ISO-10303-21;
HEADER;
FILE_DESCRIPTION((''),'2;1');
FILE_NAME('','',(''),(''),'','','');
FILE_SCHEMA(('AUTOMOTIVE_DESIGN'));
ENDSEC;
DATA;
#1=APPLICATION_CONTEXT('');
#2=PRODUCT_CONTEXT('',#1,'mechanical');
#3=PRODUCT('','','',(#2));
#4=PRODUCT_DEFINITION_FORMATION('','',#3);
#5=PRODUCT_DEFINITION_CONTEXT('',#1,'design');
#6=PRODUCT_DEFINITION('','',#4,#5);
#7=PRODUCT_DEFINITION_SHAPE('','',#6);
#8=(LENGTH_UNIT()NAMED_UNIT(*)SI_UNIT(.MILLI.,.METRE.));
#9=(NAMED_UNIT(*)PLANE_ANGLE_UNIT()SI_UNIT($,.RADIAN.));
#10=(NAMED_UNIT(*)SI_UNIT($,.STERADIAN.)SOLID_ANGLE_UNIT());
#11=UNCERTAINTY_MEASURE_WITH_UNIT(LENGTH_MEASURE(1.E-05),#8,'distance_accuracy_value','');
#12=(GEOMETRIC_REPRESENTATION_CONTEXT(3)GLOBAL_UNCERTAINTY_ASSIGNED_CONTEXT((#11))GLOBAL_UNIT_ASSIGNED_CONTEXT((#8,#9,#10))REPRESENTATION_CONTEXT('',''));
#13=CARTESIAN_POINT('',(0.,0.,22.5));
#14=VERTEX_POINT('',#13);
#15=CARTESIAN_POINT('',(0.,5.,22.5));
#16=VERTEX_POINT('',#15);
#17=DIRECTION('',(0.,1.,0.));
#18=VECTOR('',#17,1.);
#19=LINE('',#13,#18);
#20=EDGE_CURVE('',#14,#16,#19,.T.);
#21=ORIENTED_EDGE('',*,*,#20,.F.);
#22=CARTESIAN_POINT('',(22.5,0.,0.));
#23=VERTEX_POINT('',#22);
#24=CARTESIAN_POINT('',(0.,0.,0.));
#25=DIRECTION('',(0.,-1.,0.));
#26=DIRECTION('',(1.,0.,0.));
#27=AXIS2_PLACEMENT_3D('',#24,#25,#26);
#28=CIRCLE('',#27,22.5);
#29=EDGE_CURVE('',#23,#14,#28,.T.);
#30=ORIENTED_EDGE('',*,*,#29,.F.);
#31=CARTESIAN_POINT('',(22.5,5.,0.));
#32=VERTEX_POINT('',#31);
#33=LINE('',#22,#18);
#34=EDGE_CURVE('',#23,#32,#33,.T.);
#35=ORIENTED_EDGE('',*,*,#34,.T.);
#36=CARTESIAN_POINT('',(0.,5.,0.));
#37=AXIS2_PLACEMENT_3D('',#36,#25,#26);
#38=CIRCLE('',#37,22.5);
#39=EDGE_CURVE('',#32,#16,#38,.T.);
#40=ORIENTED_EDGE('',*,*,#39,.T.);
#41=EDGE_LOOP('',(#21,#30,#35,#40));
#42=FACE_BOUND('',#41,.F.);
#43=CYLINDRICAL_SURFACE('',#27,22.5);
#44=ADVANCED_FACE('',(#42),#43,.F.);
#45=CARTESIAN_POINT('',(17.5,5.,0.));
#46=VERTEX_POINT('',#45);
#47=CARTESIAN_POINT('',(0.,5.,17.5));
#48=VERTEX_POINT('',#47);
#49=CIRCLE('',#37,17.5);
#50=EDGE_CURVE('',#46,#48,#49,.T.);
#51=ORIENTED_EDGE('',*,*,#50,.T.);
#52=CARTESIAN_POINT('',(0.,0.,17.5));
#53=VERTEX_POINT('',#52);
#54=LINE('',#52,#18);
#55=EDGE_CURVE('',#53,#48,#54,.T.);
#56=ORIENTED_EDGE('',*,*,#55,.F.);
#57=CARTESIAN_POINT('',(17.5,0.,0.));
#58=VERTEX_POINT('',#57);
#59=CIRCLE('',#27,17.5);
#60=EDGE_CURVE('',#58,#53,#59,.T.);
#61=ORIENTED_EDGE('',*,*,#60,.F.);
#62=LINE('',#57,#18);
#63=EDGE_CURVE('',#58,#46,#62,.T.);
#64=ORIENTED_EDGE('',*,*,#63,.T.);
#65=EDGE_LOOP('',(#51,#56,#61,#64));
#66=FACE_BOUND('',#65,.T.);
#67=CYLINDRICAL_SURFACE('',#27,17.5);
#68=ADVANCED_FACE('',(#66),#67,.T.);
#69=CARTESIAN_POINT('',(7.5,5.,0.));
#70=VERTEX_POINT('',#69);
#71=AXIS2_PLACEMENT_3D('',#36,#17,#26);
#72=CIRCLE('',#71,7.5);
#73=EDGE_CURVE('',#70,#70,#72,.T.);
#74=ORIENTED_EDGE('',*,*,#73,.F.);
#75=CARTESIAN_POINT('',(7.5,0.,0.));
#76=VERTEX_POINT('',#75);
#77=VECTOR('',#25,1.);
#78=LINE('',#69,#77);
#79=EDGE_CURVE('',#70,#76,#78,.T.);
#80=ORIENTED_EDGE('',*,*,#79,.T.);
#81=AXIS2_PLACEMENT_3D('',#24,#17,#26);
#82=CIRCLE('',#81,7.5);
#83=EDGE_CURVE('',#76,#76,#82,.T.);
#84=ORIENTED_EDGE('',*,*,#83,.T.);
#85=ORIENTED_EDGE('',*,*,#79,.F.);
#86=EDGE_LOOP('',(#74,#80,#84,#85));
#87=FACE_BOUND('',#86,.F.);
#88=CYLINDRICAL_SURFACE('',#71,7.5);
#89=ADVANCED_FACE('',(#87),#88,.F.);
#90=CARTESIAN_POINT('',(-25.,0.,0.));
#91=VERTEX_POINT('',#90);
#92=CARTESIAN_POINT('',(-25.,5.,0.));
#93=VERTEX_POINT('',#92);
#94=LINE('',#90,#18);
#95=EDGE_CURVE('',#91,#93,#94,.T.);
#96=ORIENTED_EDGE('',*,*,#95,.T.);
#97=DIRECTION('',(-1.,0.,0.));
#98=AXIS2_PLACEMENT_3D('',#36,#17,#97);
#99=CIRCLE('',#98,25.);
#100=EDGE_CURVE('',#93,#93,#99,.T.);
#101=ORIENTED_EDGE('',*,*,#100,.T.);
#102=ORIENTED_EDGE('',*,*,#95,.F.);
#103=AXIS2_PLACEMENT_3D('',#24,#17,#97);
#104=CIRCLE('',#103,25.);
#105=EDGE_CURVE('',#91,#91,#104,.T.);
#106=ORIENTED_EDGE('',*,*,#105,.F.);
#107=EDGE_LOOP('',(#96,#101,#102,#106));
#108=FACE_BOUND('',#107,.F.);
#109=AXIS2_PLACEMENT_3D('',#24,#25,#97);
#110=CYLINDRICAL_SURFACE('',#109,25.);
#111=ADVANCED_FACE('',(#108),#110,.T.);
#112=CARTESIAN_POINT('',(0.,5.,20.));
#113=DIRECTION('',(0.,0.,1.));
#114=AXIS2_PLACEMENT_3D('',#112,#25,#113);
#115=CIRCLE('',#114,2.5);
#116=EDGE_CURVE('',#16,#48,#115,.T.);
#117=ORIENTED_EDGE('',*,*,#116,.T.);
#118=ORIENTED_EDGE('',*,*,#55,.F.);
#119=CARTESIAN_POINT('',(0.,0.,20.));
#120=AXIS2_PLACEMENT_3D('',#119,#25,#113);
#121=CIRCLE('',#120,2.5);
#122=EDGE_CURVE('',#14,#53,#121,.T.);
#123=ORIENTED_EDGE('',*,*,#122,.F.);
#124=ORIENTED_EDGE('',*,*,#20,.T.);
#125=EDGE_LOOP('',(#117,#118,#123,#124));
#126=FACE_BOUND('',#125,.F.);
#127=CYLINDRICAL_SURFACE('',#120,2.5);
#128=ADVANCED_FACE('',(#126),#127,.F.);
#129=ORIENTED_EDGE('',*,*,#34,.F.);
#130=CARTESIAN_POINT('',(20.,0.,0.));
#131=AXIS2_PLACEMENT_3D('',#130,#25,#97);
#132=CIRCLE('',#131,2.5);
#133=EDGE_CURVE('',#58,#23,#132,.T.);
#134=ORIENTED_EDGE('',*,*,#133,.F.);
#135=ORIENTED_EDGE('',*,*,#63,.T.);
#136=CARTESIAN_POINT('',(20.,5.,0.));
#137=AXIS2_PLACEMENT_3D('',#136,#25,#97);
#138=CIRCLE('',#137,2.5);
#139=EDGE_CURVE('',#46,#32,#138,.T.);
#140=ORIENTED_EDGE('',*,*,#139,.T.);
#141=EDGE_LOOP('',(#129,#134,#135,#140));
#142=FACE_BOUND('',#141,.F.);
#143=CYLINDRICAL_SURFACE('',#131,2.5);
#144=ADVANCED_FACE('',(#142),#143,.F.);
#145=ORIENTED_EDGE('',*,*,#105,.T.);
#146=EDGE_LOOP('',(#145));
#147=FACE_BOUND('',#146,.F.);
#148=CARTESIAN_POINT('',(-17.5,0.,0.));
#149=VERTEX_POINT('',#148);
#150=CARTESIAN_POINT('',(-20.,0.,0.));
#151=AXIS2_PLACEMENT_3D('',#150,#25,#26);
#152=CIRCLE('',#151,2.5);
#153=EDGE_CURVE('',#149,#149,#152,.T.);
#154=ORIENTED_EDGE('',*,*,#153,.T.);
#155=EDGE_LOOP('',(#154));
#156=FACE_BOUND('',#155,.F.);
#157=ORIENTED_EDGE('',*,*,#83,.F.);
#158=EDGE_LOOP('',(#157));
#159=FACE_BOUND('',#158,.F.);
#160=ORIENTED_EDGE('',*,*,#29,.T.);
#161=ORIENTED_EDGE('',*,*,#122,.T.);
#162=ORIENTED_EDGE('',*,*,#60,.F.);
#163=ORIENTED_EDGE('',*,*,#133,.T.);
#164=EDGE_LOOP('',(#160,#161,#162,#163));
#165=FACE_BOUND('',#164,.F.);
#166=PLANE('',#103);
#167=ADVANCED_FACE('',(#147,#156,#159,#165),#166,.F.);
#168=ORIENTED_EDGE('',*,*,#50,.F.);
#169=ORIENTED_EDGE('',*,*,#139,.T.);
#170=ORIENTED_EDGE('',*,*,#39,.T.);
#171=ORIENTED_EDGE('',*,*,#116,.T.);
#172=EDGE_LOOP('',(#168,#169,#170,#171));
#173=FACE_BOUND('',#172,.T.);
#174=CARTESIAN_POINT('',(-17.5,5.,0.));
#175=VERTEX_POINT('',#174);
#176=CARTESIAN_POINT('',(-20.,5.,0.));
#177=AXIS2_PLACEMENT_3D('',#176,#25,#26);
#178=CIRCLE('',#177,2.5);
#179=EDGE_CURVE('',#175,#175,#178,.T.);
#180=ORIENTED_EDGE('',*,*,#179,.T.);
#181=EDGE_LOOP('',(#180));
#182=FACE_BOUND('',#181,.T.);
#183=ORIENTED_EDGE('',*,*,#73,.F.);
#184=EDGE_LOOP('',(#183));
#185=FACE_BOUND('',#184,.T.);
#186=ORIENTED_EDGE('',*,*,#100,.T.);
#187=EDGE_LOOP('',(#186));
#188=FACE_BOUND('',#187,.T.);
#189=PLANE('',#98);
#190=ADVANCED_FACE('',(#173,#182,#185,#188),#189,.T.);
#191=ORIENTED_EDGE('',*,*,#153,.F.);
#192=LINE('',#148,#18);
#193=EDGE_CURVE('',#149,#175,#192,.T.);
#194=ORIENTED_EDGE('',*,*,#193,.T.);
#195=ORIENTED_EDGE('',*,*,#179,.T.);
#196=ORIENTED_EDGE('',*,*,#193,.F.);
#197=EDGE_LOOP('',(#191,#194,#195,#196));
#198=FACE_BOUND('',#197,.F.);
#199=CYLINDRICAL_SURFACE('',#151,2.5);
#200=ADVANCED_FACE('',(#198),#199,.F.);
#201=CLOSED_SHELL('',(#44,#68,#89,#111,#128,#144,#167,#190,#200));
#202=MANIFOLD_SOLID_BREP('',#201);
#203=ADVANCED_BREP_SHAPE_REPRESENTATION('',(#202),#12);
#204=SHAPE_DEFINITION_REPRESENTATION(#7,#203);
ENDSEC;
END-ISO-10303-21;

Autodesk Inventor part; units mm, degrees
ref_plane "YZ Plane" through (0, 0, 0) normal (1, 0, 0) x (0, 1, 0)
ref_plane "XZ Plane" through (0, 0, 0) normal (0, 1, 0) x (-1, 0, 0)
ref_plane "XY Plane" through (0, 0, 0) normal (0, 0, 1) x (1, 0, 0)
sketch "Sketch1" plane through (0, 0, 0) normal (0, 1, 0) x (-1, 0, 0)
  circle A0 centre (0, 0) radius 25
  dimension "d0" = 50
extrude "Extrusion1" add sketch "Sketch1" along normal blind 5
sketch "Sketch2" plane through (0, 5, 0) normal (0, 1, 0) x (1, 0, 0)
  circle A0 centre (0, 0) radius 7.5
  dimension "d3" = 15
extrude "Extrusion2" cut sketch "Sketch2" against normal through all
sketch "Sketch4" plane through (0, 0, 0) normal (0, -1, 0) x (1, 0, 0)
  circle A0 centre (0, 0) radius 20 construction
  arc A1 (0, 22.5) -> (0, 17.5) centre (0, 20) ccw
  arc A2 (17.5, 0) -> (22.5, 0) centre (20, 0) ccw
  arc A3 (22.5, 0) -> (0, 22.5) centre (0, 0) ccw
  arc A4 (17.5, 0) -> (0, 17.5) centre (0, 0) ccw
  circle A5 centre (0, 0) radius 7.5 projected
  circle A6 centre (0, 0) radius 25 projected
  dimension "d9" = 5
  dimension "d10" = 5
  dimension "d11" = 90
extrude "Extrusion3" cut sketch "Sketch4" against normal through all contours A3 A2 A4 A1
sketch "Sketch8" plane through (0, 0, 0) normal (0, -1, 0) x (1, 0, 0)
  circle A0 centre (0, 0) radius 20 construction
  arc A1 (22.5, 0) -> (0, 22.5) centre (0, 0) ccw projected
  arc A2 (17.5, 0) -> (22.5, 0) centre (20, 0) ccw projected
  arc A3 (17.5, 0) -> (0, 17.5) centre (0, 0) ccw projected
  arc A4 (0, 22.5) -> (0, 17.5) centre (0, 20) ccw projected
  circle A5 centre (0, 0) radius 7.5 projected
  circle A6 centre (0, 0) radius 25 projected
  arc A7 (17.5, 0) -> (0, 17.5) centre (0, 0) ccw projected
  circle A8 centre (0, 0) radius 25 projected
  circle A9 centre (-20, 0) radius 2.5
  dimension "d15" = 5
extrude "Extrusion4" cut sketch "Sketch8" against normal through all contours A9
equation "\"kat_promienia\" = 30deg"
properties part number "sprzeglo_02"
